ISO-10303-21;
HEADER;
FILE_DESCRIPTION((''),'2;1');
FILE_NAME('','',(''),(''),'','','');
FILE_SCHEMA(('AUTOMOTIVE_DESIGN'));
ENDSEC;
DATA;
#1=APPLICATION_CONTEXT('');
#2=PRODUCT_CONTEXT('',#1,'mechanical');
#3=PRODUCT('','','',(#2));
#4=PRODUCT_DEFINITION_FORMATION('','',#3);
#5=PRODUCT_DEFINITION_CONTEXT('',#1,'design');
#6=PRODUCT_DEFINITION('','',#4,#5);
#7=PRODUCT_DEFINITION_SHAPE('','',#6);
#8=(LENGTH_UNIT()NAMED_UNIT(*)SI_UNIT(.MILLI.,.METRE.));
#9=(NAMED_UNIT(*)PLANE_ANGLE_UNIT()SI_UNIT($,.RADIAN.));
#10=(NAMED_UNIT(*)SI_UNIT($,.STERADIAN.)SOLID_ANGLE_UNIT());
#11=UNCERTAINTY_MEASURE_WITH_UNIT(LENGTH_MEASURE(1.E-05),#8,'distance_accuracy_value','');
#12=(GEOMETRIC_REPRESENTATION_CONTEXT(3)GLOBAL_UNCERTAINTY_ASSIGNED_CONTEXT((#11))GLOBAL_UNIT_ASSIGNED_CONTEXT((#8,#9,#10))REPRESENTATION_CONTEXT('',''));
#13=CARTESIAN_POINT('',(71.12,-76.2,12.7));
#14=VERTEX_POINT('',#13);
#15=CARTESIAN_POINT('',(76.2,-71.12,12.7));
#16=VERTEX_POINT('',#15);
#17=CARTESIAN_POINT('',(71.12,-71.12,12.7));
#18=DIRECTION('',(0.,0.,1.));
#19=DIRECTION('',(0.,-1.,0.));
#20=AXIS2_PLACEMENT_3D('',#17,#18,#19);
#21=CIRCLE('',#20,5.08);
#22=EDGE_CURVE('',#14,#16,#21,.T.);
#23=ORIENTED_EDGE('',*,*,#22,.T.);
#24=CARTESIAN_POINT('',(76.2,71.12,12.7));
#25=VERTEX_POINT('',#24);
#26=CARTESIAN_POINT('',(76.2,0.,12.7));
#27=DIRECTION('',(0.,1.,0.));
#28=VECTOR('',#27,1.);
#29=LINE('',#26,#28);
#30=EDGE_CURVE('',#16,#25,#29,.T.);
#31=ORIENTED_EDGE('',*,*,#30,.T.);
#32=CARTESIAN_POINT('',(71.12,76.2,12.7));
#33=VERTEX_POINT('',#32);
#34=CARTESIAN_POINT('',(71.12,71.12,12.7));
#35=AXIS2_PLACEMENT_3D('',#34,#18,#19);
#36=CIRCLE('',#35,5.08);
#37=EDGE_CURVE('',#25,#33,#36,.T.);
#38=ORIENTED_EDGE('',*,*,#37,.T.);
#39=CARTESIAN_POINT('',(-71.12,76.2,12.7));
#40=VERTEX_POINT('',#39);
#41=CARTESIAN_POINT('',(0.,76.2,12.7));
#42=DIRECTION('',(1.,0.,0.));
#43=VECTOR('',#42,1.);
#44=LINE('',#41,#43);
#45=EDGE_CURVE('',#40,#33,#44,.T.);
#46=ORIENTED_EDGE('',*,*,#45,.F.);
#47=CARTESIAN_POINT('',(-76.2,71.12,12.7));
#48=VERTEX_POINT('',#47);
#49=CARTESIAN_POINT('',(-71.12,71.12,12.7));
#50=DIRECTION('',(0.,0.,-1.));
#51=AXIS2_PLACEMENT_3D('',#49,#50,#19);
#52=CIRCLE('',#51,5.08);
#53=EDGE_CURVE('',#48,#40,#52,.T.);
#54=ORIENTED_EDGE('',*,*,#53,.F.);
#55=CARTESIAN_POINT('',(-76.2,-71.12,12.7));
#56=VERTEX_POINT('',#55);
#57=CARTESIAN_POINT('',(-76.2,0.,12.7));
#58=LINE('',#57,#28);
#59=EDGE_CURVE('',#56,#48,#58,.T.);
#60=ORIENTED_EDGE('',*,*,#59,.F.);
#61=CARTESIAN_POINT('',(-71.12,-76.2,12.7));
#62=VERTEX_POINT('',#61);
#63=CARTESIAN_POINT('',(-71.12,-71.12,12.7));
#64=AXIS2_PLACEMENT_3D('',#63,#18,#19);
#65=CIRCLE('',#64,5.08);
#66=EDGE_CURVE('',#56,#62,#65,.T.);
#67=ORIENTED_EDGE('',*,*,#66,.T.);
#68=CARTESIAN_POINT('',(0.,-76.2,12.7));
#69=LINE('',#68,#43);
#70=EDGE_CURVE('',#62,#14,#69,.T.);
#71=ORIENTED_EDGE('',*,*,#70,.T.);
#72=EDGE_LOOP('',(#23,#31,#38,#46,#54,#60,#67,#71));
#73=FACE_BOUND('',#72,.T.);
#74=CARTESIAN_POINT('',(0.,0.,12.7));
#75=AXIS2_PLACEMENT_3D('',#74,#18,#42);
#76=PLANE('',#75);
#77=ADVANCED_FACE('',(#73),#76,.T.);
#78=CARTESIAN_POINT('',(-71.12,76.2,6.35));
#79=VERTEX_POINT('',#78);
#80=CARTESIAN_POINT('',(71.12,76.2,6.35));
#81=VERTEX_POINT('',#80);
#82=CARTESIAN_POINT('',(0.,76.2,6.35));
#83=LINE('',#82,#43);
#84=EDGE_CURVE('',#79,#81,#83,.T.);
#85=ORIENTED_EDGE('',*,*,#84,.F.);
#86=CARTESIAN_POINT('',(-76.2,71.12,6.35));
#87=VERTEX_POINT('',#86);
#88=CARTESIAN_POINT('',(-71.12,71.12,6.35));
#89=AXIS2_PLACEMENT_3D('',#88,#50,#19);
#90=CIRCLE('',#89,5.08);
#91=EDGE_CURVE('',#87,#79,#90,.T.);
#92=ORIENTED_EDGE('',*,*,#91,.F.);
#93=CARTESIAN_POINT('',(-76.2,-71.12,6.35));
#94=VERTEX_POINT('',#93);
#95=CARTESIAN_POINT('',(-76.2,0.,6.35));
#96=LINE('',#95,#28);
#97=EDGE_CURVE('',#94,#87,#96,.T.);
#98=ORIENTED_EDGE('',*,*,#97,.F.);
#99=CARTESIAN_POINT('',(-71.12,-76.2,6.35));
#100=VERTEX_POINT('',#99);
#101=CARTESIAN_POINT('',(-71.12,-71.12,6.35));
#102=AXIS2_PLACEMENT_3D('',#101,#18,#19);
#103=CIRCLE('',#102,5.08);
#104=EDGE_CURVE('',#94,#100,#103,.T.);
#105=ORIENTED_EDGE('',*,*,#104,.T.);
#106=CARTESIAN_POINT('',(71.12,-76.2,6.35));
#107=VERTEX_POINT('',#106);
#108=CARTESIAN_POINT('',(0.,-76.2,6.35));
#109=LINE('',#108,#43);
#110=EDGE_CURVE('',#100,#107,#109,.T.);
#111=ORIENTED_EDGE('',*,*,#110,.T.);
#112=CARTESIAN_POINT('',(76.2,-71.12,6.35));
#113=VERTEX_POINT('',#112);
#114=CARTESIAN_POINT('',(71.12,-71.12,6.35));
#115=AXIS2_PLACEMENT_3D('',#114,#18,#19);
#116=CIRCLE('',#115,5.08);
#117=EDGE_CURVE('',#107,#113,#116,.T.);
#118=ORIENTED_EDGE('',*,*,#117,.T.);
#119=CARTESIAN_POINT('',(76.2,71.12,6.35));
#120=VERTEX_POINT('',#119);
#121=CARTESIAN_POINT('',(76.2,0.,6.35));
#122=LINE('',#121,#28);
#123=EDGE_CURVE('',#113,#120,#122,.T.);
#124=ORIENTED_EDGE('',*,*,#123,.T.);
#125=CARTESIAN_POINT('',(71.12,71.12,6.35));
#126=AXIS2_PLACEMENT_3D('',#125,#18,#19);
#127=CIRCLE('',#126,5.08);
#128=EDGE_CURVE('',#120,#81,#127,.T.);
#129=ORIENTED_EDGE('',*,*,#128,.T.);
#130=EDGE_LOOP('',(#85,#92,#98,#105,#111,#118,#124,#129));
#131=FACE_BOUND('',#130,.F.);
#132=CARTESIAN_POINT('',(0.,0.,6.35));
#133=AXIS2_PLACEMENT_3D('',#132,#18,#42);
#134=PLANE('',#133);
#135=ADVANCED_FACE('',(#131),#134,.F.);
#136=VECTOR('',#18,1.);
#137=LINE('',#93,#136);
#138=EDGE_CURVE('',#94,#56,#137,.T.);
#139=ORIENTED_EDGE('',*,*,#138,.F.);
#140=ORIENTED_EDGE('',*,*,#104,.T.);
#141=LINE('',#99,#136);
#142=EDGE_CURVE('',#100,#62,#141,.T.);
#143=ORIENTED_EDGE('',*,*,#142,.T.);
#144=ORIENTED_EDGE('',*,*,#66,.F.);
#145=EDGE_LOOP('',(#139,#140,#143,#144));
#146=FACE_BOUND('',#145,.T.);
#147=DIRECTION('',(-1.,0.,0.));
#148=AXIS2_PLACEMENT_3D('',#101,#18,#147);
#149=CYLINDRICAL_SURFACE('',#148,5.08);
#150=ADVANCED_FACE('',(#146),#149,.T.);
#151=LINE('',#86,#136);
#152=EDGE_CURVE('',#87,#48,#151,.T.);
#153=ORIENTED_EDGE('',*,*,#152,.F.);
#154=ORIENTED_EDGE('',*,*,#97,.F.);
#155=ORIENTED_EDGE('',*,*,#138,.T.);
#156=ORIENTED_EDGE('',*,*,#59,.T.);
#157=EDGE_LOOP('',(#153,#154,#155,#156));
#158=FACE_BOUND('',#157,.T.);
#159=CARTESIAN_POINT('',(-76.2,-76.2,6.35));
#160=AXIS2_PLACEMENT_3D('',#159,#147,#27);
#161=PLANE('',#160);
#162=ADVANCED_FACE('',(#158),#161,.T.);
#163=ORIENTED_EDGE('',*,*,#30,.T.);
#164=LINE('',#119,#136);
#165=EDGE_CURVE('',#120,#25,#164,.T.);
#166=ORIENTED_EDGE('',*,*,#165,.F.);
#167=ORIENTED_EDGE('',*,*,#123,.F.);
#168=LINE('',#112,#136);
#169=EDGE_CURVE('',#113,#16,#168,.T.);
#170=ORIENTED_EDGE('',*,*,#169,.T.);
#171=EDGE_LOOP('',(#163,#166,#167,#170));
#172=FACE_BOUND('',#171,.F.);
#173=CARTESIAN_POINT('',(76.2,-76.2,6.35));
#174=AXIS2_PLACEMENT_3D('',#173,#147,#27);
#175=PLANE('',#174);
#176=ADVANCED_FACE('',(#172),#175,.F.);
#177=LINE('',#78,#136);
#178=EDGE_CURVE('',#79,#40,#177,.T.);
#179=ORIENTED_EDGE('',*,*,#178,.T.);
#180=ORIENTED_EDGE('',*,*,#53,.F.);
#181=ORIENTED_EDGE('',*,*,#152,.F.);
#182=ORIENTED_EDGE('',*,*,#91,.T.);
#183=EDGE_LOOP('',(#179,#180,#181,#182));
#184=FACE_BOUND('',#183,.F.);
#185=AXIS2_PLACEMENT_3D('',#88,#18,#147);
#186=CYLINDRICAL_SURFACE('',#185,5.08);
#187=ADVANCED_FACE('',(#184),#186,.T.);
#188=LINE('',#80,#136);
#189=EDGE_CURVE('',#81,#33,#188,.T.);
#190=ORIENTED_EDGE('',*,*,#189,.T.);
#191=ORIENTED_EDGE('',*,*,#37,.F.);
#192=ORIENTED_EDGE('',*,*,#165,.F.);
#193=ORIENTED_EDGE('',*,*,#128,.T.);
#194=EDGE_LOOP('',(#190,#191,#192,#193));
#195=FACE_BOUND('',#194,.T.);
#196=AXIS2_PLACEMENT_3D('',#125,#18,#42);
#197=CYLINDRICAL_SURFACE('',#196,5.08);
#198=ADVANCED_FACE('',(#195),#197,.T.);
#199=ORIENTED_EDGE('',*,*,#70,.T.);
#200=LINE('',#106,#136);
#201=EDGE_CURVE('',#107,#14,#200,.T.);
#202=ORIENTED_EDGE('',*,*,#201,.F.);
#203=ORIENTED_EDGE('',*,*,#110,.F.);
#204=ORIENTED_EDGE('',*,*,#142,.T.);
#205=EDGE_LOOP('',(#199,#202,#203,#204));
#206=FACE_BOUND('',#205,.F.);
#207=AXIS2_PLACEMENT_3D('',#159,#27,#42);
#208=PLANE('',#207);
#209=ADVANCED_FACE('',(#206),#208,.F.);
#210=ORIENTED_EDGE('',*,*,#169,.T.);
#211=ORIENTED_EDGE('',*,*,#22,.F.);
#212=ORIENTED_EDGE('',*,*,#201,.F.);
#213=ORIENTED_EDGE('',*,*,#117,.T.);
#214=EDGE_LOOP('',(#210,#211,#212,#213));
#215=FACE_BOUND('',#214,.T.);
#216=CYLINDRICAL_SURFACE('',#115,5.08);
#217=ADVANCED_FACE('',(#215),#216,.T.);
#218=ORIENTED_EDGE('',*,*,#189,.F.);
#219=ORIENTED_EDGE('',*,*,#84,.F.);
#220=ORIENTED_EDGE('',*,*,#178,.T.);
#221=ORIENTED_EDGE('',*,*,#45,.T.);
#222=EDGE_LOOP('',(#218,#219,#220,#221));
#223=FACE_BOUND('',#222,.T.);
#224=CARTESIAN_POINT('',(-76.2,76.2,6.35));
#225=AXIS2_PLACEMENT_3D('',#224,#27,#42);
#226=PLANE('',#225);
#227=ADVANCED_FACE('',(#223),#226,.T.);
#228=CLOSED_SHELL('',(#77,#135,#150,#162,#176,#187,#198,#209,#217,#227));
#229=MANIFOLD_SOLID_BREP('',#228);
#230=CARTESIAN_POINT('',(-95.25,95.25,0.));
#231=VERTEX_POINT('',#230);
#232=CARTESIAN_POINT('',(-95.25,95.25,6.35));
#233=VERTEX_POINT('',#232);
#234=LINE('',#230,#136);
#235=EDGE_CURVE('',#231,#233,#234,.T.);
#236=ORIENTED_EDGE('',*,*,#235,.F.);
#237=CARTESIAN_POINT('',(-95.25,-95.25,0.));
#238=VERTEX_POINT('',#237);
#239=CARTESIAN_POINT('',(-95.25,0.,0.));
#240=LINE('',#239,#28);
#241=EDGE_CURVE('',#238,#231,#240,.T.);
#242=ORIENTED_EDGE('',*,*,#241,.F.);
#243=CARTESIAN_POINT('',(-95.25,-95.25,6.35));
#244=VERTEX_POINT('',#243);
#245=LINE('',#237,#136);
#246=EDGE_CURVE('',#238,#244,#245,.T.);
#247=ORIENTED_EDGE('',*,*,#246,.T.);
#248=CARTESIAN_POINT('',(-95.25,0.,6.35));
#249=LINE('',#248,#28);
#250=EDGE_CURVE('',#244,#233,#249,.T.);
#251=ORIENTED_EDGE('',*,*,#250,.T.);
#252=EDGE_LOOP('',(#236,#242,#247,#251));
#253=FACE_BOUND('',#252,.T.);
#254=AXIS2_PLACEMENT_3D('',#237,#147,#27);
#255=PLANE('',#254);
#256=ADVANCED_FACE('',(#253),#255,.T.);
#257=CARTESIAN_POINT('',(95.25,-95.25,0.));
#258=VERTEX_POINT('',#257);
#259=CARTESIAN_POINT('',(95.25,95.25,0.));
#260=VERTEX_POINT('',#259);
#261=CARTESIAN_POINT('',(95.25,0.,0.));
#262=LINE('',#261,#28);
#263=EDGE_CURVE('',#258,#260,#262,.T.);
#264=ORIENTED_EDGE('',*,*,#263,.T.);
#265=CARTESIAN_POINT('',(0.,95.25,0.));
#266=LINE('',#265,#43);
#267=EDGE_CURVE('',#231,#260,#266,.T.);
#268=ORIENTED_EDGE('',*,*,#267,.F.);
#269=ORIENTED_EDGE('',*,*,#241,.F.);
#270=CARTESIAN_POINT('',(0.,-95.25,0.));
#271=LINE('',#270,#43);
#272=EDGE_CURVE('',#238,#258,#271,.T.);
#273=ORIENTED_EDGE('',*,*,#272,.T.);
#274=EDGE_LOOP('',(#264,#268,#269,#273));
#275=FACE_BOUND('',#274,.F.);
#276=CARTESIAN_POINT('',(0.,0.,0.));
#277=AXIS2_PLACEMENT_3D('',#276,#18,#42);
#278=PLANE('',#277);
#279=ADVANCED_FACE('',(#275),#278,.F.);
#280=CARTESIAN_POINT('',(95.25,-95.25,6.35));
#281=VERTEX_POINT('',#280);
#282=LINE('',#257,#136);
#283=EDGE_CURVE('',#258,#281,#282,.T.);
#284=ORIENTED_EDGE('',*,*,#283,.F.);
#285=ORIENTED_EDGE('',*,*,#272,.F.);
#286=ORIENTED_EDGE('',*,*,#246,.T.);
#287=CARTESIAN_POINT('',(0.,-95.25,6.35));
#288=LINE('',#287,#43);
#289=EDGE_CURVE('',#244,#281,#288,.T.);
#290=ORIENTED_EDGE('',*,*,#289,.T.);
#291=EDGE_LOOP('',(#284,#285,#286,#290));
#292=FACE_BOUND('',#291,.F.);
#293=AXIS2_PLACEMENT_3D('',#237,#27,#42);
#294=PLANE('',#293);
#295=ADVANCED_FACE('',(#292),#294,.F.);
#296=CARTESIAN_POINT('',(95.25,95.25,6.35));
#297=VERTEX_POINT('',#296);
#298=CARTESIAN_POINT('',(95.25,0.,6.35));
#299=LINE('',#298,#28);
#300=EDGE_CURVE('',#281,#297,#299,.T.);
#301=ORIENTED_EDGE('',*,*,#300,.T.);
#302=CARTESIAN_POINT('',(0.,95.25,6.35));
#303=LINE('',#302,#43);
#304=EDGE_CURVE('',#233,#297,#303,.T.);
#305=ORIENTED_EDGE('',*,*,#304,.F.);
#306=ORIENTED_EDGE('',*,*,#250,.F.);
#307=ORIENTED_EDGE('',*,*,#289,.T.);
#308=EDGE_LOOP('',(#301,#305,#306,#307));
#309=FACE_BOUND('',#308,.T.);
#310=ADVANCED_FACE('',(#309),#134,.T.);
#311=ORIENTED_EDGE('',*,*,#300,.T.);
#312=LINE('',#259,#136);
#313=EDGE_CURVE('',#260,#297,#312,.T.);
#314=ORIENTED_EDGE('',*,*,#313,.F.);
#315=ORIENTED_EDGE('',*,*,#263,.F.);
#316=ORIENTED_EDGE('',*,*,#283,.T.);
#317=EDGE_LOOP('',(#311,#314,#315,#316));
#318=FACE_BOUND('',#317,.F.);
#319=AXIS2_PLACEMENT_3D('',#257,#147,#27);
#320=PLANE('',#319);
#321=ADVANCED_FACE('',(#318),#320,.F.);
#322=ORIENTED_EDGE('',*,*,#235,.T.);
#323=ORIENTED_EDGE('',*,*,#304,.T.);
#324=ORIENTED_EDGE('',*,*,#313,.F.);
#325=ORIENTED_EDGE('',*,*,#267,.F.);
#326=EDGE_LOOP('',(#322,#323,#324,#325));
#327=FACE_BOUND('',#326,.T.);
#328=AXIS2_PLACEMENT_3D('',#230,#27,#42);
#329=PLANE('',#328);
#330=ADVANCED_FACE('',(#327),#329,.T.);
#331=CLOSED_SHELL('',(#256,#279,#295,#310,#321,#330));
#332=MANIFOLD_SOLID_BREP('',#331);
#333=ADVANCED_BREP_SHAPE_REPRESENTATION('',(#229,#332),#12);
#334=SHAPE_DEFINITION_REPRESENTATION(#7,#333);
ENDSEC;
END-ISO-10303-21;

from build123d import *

# Parameters (mm, degrees)
F0_W     = 190.5
F0_H     = 190.5
F1_DEPTH = 6.35
F2_W     = 152.4
F2_H     = 152.4
F3_DEPTH = 6.35
F4_R     = 5.08


with BuildPart() as f1:
    # F0 (on Top) → F1 (new body)
    with BuildSketch(Plane.XY):
        Rectangle(F0_W, F0_H)
    extrude(amount=F1_DEPTH)


with BuildPart() as f3:
    # F2 (on face) → F3 (new body)
    with BuildSketch(Plane.XY.offset(6.35)):
        Rectangle(F2_W, F2_H)
    extrude(amount=F3_DEPTH)

    # F4
    f4_edges = [f3.edges().sort_by_distance(p)[0] for p in [
        (76.2, -76.2, 9.525),
        (-76.2, -76.2, 9.525),
        (76.2, 76.2, 9.525),
        (-76.2, 76.2, 9.525),
    ]]
    fillet(f4_edges, radius=F4_R)


solid = Compound([f1.part, f3.part])
